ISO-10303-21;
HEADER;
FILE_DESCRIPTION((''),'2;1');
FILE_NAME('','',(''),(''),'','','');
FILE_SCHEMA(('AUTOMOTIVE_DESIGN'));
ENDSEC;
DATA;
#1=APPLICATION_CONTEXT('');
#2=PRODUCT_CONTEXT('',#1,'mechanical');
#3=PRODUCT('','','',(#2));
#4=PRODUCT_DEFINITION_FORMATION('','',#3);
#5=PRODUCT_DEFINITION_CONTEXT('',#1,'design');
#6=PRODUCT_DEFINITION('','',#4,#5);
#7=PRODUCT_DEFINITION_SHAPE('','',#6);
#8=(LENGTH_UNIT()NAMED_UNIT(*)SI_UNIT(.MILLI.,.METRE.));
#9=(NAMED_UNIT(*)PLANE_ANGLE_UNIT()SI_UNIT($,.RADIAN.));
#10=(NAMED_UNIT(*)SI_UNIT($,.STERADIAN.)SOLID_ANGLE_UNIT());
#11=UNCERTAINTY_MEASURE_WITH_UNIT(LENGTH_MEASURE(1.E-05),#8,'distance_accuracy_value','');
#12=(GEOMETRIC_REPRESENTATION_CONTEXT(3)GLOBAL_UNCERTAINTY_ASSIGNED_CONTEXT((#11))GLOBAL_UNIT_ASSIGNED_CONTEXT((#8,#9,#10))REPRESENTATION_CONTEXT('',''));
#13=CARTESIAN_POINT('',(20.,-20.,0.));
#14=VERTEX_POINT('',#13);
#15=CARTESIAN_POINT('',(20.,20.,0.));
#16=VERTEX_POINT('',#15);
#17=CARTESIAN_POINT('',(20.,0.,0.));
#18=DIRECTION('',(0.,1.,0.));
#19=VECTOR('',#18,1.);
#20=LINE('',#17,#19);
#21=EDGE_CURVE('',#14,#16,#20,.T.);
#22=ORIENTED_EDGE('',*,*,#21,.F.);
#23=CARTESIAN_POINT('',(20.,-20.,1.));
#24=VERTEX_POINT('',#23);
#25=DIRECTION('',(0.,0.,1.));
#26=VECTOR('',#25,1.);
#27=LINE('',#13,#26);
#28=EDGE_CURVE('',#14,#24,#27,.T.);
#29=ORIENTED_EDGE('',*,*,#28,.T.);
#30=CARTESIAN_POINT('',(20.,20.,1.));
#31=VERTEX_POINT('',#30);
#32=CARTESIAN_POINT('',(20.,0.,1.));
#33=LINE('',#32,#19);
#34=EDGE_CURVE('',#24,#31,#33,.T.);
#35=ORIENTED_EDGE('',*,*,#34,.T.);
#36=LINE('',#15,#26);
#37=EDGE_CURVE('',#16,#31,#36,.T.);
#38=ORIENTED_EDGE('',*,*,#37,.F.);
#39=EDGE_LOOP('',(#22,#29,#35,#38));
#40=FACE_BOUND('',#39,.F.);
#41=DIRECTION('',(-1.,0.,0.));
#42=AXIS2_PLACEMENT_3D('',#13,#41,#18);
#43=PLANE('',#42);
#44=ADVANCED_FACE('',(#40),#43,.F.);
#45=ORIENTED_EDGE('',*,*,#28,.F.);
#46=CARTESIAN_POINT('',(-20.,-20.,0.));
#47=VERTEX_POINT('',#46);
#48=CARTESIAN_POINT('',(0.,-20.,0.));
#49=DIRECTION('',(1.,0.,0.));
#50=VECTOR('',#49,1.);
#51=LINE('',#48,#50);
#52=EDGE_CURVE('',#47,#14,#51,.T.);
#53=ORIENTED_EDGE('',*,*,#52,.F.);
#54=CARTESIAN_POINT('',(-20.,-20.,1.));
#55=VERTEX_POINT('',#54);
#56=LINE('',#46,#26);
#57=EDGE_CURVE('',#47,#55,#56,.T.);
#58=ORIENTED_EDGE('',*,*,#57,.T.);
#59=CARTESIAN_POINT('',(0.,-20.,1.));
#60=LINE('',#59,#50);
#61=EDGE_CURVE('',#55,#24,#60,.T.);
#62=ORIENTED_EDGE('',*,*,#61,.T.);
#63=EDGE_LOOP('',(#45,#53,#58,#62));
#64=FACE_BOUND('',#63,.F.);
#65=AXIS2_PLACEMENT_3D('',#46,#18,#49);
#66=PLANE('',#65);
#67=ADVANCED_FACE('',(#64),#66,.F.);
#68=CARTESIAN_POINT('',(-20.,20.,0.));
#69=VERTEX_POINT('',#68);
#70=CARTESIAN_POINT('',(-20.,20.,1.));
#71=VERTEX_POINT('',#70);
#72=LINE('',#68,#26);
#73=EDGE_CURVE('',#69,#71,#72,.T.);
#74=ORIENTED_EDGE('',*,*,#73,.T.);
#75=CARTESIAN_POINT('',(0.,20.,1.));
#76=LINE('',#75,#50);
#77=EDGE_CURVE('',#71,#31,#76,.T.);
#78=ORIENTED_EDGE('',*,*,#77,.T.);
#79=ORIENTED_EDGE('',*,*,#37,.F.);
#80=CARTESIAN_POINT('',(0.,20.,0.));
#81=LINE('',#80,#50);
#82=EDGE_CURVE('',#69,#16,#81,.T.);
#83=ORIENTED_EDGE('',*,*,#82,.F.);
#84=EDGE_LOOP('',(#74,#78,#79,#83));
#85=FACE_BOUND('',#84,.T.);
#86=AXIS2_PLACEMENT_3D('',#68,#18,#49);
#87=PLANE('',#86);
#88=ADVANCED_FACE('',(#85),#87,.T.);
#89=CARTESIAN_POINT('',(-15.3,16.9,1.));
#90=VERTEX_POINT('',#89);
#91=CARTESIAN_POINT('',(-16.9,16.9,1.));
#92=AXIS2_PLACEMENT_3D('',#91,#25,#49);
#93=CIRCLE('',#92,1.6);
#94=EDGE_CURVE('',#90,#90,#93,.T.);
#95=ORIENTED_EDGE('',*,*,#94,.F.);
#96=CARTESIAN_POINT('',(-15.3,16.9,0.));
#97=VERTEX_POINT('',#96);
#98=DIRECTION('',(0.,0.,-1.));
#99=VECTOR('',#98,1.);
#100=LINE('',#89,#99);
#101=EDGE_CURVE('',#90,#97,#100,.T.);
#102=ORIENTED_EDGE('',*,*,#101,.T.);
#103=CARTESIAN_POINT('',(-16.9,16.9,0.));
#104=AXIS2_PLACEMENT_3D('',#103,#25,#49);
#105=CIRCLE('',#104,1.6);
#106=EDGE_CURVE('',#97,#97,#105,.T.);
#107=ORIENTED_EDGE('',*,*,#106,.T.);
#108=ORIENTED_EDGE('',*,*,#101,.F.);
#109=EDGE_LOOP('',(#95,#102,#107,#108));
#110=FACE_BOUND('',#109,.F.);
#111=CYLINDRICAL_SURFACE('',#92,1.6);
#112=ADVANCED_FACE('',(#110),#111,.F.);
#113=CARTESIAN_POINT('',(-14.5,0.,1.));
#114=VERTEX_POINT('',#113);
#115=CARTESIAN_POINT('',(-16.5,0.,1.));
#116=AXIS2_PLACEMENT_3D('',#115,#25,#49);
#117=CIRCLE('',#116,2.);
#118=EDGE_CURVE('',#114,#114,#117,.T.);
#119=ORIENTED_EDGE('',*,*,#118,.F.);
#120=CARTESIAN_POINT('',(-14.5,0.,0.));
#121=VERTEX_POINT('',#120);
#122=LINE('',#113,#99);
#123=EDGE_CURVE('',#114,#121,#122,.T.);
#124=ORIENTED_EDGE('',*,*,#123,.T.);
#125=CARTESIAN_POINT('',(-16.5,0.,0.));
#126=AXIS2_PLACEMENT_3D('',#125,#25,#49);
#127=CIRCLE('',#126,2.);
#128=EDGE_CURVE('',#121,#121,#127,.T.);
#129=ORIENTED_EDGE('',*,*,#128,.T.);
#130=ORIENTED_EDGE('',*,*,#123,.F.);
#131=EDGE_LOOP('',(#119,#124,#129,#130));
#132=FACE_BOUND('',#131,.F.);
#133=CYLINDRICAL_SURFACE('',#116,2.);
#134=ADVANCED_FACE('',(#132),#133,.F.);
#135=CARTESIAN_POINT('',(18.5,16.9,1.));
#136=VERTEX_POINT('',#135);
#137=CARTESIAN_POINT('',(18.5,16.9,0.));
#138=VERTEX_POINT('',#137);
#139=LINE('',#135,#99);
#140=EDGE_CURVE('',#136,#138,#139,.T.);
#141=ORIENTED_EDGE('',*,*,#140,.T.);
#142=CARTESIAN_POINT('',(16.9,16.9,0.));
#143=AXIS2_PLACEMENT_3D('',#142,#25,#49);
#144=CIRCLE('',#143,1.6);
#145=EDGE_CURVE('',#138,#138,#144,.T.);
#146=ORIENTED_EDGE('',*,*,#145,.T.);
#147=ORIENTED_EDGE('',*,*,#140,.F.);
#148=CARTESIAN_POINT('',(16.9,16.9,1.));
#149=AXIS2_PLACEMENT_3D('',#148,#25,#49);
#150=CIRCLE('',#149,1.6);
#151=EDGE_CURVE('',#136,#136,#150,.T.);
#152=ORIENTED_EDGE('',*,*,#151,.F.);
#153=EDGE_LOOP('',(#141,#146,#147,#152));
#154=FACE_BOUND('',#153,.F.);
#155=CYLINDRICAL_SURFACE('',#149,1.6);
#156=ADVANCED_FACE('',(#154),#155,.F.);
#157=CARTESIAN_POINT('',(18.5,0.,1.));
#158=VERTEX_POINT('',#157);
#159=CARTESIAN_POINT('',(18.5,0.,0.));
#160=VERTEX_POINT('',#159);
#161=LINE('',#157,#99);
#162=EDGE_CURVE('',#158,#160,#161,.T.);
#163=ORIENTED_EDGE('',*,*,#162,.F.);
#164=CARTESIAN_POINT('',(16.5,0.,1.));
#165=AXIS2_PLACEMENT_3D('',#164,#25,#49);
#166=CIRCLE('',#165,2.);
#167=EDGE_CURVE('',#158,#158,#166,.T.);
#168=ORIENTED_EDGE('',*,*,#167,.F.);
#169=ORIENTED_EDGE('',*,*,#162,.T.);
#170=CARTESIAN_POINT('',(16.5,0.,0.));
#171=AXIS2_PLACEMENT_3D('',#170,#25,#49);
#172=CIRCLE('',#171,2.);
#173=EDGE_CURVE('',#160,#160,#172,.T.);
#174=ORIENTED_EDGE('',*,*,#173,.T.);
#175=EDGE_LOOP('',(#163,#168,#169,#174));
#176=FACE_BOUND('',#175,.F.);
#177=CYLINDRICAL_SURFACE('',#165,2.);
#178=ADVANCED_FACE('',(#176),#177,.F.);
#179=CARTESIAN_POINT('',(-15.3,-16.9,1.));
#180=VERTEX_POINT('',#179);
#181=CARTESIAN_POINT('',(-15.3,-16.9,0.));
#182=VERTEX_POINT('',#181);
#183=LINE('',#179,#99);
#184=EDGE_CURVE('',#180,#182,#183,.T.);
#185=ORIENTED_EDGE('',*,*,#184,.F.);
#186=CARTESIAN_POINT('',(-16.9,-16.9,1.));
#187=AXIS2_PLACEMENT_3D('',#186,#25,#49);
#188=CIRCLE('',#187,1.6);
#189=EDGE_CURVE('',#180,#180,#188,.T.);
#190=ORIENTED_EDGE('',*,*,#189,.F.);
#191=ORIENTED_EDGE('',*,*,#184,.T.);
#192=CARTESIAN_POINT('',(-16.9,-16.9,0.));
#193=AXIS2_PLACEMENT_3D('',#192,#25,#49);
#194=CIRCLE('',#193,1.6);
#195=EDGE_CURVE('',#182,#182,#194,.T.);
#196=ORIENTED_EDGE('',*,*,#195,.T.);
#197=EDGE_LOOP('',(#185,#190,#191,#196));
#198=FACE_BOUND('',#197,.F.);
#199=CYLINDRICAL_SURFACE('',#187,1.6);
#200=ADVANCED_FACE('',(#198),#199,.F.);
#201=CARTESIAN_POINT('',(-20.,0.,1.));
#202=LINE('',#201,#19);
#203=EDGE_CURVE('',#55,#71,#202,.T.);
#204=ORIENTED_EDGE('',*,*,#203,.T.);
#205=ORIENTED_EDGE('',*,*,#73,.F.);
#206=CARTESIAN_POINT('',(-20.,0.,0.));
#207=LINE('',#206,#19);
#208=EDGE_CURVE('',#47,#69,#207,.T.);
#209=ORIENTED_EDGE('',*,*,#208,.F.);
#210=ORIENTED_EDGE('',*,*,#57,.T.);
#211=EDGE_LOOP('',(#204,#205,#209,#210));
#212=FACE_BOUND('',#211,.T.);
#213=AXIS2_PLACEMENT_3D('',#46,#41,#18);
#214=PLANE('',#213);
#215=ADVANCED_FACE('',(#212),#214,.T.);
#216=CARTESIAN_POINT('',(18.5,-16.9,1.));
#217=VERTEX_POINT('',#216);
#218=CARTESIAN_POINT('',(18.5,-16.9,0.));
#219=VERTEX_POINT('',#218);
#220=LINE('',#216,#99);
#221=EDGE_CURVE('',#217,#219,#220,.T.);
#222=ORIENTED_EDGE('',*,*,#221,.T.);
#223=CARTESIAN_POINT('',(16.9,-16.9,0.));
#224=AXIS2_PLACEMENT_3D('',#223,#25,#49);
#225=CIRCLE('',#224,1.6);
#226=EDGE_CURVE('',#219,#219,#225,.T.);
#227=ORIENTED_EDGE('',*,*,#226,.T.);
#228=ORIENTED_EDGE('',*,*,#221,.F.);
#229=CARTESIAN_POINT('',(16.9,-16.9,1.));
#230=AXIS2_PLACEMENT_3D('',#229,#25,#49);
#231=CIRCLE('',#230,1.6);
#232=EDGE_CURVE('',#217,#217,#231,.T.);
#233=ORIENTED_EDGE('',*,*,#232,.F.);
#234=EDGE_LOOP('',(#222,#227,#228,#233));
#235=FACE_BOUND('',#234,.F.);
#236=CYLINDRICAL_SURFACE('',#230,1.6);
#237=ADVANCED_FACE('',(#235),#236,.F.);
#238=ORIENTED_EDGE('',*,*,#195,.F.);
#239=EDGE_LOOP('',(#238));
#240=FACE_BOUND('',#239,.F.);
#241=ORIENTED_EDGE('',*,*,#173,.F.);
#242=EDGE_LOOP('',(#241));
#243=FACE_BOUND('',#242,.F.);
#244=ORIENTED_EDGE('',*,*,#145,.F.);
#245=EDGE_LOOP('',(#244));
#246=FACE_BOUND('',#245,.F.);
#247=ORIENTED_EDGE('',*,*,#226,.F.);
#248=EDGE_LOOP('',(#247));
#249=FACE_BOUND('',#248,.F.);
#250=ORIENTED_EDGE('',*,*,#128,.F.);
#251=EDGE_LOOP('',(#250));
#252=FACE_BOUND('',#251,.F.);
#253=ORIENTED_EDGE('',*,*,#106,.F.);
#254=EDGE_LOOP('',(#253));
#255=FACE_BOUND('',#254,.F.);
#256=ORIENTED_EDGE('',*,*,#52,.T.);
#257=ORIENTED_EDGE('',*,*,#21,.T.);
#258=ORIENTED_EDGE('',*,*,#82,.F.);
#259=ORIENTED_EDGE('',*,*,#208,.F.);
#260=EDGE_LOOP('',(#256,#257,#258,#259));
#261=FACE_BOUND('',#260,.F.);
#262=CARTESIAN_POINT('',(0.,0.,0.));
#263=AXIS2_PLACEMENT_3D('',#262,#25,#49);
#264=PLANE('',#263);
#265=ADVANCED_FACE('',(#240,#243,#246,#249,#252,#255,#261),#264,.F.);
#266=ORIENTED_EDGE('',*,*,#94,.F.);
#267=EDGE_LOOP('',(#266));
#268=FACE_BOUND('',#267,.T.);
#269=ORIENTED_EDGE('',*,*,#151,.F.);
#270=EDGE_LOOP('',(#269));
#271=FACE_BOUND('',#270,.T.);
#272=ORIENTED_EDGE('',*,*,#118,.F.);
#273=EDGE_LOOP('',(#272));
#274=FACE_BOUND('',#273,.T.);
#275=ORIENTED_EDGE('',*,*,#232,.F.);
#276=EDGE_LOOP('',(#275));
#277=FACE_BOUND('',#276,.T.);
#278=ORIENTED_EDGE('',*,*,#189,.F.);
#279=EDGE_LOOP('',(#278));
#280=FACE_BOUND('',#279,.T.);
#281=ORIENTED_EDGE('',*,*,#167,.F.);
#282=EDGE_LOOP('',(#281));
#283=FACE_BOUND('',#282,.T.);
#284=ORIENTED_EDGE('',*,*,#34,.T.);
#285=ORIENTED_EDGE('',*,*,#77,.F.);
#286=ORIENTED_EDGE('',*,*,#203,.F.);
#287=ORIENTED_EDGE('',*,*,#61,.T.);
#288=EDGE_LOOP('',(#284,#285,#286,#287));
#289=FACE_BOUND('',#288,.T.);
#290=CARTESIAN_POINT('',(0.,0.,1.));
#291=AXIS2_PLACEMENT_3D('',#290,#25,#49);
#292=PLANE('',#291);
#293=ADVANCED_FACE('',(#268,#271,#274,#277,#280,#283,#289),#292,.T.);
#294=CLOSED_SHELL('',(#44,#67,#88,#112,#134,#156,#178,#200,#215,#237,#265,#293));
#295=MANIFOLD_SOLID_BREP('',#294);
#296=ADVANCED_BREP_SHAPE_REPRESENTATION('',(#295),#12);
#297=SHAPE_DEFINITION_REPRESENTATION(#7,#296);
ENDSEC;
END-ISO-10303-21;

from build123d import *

# Parameters (mm, degrees)
SKETCH1_W           = 40
SKETCH1_H           = 40
BOSS_EXTRUDE1_DEPTH = 1
SKETCH2_R           = 1.6
SKETCH2_R_2         = 2
CUT_EXTRUDE1_DEPTH  = 10


with BuildPart() as part:
    # Sketch1 → Boss-Extrude1 (new body)
    with BuildSketch(Plane.XY):
        Rectangle(SKETCH1_W, SKETCH1_H)
    extrude(amount=BOSS_EXTRUDE1_DEPTH)

    # Sketch2 → Cut-Extrude1 (cut)
    with BuildSketch(Plane.XY.offset(1)):
        with Locations((-16.9, -16.9)):
            Circle(SKETCH2_R)
        with Locations((16.9, -16.9)):
            Circle(SKETCH2_R)
        with Locations((16.9, 16.9)):
            Circle(SKETCH2_R)
        with Locations((-16.9, 16.9)):
            Circle(SKETCH2_R)
        with Locations((16.5, 0)):
            Circle(SKETCH2_R_2)
        with Locations((-16.5, 0)):
            Circle(SKETCH2_R_2)
    extrude(amount=-CUT_EXTRUDE1_DEPTH, mode=Mode.SUBTRACT)


solid = part.part
